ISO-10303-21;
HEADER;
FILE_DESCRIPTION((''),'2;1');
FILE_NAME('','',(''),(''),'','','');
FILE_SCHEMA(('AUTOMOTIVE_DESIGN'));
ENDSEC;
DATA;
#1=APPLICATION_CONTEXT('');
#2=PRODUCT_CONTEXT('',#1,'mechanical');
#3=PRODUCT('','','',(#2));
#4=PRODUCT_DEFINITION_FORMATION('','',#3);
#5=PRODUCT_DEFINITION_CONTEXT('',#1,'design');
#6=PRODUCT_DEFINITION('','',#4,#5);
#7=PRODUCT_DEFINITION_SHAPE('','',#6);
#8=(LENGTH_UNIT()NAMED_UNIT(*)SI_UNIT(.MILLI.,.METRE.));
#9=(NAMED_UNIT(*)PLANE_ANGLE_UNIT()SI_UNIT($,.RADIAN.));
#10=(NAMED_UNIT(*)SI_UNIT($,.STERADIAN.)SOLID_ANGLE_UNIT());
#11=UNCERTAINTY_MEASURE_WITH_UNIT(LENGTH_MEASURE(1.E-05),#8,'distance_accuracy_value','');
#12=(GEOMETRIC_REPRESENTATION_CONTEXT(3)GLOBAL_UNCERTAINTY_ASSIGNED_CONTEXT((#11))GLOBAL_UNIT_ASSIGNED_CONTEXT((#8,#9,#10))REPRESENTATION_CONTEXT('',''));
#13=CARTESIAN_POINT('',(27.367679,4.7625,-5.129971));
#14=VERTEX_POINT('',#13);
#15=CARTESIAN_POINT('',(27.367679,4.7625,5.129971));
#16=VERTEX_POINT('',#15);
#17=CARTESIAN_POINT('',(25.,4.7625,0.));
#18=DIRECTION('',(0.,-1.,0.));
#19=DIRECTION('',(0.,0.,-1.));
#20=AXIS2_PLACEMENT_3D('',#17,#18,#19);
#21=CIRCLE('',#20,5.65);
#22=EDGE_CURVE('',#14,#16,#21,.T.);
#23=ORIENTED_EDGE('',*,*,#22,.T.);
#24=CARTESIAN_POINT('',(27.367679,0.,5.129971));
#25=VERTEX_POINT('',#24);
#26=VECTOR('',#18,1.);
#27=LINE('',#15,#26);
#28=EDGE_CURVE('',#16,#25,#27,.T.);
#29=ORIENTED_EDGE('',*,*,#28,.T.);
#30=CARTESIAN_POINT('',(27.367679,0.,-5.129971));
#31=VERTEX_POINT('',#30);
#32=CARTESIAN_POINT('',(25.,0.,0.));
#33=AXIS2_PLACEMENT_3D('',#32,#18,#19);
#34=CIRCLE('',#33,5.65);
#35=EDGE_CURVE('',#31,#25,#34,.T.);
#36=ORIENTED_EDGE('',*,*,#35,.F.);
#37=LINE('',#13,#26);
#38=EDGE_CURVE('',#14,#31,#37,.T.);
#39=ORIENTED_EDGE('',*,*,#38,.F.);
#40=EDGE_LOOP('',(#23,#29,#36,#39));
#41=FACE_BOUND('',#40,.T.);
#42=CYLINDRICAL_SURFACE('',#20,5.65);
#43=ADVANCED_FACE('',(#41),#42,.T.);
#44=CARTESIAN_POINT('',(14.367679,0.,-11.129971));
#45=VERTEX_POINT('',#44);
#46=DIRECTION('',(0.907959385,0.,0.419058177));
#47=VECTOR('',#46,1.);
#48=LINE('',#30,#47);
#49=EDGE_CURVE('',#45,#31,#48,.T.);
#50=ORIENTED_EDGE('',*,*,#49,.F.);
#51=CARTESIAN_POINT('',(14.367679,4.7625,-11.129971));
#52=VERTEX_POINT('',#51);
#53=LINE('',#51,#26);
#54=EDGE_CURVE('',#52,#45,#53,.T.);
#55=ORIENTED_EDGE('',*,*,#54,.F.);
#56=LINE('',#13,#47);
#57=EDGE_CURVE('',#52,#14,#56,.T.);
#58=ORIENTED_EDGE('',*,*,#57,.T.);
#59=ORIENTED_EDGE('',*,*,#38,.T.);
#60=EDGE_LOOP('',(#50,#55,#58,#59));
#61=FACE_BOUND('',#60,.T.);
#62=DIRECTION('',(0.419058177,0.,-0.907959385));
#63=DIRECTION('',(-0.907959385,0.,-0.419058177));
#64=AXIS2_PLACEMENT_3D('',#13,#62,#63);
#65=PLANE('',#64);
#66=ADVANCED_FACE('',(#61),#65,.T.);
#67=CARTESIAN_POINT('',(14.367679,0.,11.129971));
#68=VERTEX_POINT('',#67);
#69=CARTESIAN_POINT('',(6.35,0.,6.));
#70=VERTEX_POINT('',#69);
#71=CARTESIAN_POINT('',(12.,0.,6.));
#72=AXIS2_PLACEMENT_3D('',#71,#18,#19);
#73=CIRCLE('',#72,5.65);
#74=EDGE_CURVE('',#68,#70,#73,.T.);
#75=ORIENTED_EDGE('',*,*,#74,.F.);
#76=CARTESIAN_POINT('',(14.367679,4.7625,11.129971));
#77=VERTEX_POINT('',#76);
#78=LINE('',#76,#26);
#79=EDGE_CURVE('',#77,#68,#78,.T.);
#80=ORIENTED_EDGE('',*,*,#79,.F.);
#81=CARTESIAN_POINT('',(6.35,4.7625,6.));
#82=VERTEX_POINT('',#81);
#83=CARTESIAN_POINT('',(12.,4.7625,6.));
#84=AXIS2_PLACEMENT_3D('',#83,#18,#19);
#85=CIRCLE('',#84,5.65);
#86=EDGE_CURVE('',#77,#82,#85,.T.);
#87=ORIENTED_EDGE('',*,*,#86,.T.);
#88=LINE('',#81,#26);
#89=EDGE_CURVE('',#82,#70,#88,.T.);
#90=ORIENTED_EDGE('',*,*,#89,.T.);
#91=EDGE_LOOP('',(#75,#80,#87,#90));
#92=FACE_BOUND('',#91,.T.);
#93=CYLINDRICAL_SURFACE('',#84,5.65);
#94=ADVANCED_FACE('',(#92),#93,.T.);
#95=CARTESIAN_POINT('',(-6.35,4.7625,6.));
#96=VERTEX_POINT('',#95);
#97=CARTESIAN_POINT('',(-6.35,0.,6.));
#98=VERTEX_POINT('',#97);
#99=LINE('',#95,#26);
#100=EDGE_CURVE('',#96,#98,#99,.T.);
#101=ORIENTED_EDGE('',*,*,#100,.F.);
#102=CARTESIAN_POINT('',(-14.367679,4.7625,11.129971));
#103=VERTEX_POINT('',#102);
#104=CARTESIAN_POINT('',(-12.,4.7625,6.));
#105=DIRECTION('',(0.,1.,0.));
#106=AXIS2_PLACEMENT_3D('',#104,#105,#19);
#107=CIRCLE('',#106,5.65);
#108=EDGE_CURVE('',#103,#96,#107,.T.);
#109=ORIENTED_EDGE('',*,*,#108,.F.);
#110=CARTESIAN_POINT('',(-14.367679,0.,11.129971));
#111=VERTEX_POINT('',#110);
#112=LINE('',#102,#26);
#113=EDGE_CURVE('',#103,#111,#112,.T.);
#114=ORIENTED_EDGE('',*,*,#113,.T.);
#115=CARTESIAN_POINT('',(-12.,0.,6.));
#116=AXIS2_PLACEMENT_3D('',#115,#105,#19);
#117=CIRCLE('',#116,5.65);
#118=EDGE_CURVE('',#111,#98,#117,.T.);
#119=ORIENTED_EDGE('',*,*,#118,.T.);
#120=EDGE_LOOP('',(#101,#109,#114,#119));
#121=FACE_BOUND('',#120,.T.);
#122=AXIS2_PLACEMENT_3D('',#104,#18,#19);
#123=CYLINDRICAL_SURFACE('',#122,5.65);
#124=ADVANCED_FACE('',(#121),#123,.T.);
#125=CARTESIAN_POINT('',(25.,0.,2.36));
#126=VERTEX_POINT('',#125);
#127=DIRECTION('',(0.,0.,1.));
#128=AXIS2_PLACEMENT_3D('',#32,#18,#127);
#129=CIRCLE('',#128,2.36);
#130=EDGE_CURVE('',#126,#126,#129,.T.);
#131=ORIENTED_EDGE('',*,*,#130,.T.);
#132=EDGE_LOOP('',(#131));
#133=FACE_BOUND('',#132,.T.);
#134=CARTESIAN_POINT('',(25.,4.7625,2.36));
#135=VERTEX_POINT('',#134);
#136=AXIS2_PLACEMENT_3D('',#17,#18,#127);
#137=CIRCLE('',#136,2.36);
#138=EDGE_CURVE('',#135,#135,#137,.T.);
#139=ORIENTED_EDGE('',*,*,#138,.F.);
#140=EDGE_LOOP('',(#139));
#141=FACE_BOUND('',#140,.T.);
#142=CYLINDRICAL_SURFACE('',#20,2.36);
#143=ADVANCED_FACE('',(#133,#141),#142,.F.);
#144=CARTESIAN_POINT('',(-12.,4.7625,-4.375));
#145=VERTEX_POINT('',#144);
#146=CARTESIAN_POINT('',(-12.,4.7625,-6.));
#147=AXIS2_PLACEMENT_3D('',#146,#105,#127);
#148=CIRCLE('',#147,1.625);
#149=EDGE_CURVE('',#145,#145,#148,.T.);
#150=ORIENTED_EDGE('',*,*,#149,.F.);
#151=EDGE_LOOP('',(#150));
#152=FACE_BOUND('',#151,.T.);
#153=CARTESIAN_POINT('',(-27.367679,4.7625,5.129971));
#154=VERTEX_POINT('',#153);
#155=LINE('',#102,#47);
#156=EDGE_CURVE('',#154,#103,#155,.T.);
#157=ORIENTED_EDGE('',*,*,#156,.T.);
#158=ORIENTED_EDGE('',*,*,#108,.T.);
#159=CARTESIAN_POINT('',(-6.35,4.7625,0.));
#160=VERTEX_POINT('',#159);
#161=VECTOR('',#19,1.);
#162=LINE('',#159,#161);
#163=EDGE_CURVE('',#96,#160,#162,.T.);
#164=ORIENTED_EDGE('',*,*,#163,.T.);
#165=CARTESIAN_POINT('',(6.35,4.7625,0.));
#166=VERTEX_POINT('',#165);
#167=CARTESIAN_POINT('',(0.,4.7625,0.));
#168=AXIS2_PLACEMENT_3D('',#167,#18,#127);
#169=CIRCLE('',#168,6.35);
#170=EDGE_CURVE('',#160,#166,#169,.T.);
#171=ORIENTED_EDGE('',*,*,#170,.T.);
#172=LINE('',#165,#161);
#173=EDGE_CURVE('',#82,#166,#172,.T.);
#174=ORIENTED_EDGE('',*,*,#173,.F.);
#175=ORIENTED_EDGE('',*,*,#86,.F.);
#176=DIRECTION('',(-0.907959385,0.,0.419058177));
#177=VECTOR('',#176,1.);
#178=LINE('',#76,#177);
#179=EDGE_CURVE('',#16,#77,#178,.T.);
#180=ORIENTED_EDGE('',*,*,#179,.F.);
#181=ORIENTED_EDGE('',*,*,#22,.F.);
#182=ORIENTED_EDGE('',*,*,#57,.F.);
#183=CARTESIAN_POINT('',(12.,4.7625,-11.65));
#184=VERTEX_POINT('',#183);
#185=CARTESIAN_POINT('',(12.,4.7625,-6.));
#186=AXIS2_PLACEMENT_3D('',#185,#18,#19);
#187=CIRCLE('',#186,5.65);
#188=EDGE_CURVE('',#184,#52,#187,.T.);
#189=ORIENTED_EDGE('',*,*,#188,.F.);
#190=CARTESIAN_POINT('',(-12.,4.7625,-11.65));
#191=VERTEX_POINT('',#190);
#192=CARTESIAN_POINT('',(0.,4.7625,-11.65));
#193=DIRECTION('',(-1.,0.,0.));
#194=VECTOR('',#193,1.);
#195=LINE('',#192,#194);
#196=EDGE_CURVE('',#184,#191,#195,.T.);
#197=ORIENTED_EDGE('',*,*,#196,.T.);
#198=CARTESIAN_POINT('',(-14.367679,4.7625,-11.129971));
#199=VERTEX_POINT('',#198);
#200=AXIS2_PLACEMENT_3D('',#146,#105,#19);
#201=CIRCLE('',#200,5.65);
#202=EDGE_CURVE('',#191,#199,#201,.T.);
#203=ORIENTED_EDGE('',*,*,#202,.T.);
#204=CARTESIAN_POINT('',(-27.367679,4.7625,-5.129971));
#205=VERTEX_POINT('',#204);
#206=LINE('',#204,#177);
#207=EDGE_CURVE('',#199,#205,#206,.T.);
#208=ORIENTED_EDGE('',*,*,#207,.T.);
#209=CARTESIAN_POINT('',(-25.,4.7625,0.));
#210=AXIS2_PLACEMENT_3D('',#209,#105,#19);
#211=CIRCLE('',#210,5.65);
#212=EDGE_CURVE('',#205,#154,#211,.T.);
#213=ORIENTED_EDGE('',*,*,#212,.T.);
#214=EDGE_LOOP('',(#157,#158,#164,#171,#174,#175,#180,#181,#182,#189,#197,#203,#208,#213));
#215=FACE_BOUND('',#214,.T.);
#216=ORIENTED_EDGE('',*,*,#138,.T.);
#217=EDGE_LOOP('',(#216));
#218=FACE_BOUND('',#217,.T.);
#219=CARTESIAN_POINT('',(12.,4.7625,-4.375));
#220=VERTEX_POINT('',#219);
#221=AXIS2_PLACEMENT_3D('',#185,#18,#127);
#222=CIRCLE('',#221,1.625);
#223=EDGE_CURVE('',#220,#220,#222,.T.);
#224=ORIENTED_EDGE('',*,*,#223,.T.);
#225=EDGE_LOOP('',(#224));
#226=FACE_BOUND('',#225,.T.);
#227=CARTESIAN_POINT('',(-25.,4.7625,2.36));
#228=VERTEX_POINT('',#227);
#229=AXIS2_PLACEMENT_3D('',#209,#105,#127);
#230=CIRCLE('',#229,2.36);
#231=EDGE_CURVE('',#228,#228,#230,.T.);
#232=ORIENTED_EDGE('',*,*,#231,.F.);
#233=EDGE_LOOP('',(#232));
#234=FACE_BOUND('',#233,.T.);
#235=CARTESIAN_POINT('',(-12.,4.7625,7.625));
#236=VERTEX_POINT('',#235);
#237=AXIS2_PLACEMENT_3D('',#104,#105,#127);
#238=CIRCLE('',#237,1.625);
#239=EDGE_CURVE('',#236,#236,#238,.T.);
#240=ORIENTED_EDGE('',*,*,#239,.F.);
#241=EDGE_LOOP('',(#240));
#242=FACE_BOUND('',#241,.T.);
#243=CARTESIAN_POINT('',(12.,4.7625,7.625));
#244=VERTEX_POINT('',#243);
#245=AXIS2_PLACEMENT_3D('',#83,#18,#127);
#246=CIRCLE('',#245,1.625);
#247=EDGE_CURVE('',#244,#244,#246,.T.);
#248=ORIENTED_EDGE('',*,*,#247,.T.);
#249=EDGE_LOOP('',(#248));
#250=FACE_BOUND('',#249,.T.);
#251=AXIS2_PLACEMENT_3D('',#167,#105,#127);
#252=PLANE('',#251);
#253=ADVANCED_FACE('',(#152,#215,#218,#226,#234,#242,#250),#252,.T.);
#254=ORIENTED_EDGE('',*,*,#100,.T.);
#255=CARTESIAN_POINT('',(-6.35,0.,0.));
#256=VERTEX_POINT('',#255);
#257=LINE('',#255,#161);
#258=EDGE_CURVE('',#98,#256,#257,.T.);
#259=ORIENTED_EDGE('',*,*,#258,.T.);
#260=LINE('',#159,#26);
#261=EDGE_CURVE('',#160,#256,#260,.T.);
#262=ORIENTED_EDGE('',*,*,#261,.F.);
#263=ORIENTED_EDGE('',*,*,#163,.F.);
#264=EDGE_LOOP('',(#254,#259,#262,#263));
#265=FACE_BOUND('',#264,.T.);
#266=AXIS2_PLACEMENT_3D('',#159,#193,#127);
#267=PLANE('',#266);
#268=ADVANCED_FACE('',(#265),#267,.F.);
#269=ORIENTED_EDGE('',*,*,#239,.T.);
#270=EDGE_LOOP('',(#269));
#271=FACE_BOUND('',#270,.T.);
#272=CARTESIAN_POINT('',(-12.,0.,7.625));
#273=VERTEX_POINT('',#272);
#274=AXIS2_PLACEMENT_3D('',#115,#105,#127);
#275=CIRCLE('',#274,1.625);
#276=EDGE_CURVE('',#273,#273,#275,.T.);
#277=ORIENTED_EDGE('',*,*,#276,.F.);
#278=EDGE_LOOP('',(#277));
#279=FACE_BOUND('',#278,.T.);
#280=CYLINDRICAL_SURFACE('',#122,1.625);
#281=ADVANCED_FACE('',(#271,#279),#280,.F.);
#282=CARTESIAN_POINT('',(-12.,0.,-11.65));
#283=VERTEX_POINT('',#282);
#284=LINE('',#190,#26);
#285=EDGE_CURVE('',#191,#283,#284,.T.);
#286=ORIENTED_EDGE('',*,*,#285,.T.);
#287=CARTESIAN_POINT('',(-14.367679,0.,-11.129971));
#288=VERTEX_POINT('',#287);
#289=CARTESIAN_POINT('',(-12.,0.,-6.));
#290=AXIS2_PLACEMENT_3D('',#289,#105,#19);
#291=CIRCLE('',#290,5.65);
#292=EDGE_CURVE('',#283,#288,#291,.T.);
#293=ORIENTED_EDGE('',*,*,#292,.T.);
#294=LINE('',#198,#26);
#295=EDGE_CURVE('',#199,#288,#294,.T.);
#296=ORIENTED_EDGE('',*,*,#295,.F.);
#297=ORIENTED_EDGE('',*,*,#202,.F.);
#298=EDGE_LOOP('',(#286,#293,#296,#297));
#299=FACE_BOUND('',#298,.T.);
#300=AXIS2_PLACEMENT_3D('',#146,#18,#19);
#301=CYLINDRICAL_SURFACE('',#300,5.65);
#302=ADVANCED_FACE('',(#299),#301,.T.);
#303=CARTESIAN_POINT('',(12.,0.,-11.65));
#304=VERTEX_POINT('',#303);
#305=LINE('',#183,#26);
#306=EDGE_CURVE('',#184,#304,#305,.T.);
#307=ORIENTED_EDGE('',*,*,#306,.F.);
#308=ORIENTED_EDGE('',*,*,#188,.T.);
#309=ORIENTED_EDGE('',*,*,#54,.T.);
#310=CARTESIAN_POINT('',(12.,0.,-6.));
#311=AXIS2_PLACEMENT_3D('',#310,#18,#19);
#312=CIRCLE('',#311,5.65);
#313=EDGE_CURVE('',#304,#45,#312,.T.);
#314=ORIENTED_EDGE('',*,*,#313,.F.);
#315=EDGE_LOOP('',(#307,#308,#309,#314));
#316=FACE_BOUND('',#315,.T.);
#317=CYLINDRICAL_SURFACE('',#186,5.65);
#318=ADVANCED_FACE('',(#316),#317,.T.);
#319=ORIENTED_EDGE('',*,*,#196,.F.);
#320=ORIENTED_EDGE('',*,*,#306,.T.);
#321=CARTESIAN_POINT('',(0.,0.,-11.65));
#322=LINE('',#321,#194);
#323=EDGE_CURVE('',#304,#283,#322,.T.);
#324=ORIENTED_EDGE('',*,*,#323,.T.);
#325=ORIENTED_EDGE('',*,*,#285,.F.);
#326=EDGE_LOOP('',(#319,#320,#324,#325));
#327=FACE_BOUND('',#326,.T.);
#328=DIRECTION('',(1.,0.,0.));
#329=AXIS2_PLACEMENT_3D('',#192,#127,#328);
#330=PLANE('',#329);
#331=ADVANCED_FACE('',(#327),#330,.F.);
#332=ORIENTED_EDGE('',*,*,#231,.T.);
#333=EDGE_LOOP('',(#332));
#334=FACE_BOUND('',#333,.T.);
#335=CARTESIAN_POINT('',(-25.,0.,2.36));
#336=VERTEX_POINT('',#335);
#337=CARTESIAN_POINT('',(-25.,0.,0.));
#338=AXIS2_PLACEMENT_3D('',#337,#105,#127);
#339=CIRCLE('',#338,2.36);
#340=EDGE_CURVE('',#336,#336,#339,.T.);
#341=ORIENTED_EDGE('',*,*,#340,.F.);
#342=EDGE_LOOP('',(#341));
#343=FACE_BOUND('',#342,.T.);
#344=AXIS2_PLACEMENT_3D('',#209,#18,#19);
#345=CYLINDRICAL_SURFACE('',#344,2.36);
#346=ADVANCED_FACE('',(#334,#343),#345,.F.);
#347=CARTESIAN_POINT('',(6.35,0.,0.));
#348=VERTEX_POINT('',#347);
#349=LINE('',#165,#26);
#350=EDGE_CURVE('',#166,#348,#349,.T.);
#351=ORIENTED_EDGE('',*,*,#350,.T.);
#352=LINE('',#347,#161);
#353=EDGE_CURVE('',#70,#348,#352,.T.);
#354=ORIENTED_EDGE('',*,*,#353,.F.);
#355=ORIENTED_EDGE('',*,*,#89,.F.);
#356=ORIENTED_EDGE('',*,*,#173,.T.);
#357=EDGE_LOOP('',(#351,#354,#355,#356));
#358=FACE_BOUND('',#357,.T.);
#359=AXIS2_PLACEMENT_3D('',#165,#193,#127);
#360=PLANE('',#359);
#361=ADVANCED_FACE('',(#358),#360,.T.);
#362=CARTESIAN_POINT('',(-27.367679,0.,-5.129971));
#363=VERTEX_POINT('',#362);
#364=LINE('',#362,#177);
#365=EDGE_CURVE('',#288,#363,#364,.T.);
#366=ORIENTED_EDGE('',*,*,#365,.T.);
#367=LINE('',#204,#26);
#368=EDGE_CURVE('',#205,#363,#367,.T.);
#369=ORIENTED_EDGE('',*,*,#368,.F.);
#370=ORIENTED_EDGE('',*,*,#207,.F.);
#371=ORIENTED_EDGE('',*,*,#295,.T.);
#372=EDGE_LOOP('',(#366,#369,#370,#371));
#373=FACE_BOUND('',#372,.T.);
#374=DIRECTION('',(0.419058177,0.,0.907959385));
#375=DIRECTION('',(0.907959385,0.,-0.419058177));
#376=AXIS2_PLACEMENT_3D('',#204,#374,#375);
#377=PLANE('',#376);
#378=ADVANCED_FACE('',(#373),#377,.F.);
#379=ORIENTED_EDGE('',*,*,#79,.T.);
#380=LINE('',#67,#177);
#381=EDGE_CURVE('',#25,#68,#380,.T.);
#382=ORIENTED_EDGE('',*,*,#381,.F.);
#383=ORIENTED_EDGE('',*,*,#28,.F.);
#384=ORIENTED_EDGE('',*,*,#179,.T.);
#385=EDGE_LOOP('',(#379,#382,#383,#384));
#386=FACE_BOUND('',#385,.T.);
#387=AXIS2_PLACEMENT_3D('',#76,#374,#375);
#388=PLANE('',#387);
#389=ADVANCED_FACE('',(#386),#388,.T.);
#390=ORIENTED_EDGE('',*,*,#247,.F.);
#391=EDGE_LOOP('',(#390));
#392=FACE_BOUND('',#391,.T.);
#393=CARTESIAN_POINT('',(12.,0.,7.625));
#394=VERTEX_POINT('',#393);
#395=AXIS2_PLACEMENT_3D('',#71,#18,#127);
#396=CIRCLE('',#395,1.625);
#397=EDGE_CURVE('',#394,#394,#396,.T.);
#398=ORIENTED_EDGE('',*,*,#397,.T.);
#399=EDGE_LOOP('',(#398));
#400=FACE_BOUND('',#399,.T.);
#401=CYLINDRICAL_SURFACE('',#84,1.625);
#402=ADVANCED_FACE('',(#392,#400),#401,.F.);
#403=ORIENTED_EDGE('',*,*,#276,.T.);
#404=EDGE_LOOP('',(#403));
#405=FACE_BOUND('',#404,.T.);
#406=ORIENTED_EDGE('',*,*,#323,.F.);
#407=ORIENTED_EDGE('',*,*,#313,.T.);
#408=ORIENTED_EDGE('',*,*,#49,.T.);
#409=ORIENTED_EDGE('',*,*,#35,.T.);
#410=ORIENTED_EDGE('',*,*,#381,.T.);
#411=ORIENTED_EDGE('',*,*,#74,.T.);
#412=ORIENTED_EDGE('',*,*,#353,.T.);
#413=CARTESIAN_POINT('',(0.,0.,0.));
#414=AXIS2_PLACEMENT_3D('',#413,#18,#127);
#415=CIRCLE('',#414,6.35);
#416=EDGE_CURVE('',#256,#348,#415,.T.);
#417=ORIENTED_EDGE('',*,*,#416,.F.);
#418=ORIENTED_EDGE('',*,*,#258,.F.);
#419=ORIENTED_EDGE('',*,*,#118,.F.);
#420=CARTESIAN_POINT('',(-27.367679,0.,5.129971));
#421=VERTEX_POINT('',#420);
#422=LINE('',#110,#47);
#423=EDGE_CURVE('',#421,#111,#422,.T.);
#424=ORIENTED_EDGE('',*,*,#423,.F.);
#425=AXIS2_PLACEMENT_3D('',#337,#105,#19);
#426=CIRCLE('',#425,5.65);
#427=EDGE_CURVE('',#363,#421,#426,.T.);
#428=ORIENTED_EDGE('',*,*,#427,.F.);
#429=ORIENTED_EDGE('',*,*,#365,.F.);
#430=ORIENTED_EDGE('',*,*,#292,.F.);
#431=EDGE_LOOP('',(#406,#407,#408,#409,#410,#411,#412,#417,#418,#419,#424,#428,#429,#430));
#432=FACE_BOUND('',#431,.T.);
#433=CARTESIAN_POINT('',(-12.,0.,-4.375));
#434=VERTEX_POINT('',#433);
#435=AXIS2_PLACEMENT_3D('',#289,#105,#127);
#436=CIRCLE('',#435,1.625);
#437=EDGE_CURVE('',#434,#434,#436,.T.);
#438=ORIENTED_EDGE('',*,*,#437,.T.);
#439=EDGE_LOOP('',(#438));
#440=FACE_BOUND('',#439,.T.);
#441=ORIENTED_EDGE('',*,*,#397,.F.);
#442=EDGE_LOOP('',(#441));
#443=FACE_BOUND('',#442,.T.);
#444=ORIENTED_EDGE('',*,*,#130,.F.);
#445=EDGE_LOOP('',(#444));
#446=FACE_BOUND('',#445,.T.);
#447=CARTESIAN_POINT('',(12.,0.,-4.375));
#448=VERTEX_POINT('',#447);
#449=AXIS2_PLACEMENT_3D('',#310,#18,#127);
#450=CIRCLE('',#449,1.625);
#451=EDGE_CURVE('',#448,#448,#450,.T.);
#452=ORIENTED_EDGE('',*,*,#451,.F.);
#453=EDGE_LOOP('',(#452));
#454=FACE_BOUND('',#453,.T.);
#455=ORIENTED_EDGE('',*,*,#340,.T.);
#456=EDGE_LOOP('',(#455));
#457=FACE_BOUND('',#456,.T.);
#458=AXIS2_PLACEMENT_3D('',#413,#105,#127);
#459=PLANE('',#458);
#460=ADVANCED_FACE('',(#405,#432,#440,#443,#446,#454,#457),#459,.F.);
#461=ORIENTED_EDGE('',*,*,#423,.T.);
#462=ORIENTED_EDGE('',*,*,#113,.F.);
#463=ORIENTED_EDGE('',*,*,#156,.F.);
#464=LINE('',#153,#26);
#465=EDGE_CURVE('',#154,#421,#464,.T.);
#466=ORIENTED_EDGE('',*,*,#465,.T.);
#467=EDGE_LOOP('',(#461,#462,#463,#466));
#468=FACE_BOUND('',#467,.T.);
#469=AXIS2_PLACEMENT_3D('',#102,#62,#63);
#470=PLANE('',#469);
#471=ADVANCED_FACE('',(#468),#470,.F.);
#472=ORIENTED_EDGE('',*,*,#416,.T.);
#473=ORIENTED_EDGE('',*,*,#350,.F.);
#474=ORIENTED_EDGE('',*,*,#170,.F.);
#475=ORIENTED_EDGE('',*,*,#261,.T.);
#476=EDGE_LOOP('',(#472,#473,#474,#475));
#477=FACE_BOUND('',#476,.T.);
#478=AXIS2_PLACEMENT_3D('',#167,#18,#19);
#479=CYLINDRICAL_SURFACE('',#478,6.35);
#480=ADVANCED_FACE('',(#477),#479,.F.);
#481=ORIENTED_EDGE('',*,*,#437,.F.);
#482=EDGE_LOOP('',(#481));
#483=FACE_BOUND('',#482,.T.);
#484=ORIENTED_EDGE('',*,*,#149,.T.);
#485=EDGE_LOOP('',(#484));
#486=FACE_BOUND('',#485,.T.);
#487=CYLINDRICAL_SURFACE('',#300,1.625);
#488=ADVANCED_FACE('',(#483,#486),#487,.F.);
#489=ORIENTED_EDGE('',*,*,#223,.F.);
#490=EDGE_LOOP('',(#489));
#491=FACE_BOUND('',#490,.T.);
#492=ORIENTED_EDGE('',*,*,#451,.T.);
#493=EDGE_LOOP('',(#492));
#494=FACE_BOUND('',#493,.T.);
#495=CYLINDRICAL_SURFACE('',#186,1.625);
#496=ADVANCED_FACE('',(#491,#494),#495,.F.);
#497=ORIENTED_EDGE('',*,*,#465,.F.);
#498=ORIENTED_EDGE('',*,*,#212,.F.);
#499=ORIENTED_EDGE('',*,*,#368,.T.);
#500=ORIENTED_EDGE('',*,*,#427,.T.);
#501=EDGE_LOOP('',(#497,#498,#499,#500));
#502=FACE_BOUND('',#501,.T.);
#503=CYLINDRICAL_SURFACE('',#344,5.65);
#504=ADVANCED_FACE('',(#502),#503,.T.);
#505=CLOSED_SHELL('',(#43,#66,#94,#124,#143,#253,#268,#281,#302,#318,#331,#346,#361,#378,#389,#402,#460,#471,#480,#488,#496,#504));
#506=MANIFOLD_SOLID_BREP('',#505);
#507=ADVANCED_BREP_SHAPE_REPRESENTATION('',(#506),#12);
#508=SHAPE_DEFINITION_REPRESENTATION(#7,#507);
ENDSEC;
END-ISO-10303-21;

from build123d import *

# Parameters (mm, degrees)
SKETCH1_R           = 2.36
SKETCH1_R_2         = 1.625
BOSS_EXTRUDE1_DEPTH = 4.7625


with BuildPart() as part:
    # Sketch1 → Boss-Extrude1 (new body)
    with BuildSketch(Plane(origin=(0, 0, 0), x_dir=(1, 0, 0), z_dir=(0, 1, 0))):
        with BuildLine():
            Line((0, 6.35), (0, 11.65))
            Line((0, 11.65), (-12, 11.65))
            ThreePointArc((-12, 11.65), (-13.212057455, 11.518461446), (-14.367678703, 11.129970522))
            Line((-14.367678703, 11.129970522), (-27.367678703, 5.129970522))
            ThreePointArc((-27.367678703, 5.129970522), (-30.65, 0), (-27.367678703, -5.129970522))
            Line((-27.367678703, -5.129970522), (-14.367678703, -11.129970522))
            ThreePointArc((-14.367678703, -11.129970522), (-8.954912536, -10.759195555), (-6.35, -6))
            Line((-6.35, -6), (-6.35, 0))
            ThreePointArc((-6.35, 0), (-4.490128061, 4.490128061), (0, 6.35))
        make_face()
        with Locations((-25, 0)):
            Circle(SKETCH1_R, mode=Mode.SUBTRACT)
        with Locations((-12, 6)):
            Circle(SKETCH1_R_2, mode=Mode.SUBTRACT)
        with Locations((-12, -6)):
            Circle(SKETCH1_R_2, mode=Mode.SUBTRACT)
    boss_extrude1 = extrude(amount=BOSS_EXTRUDE1_DEPTH)

    # Mirror1: Boss-Extrude1 across plane
    add(boss_extrude1.mirror(Plane(origin=(0, 4.7625, -6.35), x_dir=(0, 0, 1), z_dir=(-1, 0, 0))))


solid = part.part
